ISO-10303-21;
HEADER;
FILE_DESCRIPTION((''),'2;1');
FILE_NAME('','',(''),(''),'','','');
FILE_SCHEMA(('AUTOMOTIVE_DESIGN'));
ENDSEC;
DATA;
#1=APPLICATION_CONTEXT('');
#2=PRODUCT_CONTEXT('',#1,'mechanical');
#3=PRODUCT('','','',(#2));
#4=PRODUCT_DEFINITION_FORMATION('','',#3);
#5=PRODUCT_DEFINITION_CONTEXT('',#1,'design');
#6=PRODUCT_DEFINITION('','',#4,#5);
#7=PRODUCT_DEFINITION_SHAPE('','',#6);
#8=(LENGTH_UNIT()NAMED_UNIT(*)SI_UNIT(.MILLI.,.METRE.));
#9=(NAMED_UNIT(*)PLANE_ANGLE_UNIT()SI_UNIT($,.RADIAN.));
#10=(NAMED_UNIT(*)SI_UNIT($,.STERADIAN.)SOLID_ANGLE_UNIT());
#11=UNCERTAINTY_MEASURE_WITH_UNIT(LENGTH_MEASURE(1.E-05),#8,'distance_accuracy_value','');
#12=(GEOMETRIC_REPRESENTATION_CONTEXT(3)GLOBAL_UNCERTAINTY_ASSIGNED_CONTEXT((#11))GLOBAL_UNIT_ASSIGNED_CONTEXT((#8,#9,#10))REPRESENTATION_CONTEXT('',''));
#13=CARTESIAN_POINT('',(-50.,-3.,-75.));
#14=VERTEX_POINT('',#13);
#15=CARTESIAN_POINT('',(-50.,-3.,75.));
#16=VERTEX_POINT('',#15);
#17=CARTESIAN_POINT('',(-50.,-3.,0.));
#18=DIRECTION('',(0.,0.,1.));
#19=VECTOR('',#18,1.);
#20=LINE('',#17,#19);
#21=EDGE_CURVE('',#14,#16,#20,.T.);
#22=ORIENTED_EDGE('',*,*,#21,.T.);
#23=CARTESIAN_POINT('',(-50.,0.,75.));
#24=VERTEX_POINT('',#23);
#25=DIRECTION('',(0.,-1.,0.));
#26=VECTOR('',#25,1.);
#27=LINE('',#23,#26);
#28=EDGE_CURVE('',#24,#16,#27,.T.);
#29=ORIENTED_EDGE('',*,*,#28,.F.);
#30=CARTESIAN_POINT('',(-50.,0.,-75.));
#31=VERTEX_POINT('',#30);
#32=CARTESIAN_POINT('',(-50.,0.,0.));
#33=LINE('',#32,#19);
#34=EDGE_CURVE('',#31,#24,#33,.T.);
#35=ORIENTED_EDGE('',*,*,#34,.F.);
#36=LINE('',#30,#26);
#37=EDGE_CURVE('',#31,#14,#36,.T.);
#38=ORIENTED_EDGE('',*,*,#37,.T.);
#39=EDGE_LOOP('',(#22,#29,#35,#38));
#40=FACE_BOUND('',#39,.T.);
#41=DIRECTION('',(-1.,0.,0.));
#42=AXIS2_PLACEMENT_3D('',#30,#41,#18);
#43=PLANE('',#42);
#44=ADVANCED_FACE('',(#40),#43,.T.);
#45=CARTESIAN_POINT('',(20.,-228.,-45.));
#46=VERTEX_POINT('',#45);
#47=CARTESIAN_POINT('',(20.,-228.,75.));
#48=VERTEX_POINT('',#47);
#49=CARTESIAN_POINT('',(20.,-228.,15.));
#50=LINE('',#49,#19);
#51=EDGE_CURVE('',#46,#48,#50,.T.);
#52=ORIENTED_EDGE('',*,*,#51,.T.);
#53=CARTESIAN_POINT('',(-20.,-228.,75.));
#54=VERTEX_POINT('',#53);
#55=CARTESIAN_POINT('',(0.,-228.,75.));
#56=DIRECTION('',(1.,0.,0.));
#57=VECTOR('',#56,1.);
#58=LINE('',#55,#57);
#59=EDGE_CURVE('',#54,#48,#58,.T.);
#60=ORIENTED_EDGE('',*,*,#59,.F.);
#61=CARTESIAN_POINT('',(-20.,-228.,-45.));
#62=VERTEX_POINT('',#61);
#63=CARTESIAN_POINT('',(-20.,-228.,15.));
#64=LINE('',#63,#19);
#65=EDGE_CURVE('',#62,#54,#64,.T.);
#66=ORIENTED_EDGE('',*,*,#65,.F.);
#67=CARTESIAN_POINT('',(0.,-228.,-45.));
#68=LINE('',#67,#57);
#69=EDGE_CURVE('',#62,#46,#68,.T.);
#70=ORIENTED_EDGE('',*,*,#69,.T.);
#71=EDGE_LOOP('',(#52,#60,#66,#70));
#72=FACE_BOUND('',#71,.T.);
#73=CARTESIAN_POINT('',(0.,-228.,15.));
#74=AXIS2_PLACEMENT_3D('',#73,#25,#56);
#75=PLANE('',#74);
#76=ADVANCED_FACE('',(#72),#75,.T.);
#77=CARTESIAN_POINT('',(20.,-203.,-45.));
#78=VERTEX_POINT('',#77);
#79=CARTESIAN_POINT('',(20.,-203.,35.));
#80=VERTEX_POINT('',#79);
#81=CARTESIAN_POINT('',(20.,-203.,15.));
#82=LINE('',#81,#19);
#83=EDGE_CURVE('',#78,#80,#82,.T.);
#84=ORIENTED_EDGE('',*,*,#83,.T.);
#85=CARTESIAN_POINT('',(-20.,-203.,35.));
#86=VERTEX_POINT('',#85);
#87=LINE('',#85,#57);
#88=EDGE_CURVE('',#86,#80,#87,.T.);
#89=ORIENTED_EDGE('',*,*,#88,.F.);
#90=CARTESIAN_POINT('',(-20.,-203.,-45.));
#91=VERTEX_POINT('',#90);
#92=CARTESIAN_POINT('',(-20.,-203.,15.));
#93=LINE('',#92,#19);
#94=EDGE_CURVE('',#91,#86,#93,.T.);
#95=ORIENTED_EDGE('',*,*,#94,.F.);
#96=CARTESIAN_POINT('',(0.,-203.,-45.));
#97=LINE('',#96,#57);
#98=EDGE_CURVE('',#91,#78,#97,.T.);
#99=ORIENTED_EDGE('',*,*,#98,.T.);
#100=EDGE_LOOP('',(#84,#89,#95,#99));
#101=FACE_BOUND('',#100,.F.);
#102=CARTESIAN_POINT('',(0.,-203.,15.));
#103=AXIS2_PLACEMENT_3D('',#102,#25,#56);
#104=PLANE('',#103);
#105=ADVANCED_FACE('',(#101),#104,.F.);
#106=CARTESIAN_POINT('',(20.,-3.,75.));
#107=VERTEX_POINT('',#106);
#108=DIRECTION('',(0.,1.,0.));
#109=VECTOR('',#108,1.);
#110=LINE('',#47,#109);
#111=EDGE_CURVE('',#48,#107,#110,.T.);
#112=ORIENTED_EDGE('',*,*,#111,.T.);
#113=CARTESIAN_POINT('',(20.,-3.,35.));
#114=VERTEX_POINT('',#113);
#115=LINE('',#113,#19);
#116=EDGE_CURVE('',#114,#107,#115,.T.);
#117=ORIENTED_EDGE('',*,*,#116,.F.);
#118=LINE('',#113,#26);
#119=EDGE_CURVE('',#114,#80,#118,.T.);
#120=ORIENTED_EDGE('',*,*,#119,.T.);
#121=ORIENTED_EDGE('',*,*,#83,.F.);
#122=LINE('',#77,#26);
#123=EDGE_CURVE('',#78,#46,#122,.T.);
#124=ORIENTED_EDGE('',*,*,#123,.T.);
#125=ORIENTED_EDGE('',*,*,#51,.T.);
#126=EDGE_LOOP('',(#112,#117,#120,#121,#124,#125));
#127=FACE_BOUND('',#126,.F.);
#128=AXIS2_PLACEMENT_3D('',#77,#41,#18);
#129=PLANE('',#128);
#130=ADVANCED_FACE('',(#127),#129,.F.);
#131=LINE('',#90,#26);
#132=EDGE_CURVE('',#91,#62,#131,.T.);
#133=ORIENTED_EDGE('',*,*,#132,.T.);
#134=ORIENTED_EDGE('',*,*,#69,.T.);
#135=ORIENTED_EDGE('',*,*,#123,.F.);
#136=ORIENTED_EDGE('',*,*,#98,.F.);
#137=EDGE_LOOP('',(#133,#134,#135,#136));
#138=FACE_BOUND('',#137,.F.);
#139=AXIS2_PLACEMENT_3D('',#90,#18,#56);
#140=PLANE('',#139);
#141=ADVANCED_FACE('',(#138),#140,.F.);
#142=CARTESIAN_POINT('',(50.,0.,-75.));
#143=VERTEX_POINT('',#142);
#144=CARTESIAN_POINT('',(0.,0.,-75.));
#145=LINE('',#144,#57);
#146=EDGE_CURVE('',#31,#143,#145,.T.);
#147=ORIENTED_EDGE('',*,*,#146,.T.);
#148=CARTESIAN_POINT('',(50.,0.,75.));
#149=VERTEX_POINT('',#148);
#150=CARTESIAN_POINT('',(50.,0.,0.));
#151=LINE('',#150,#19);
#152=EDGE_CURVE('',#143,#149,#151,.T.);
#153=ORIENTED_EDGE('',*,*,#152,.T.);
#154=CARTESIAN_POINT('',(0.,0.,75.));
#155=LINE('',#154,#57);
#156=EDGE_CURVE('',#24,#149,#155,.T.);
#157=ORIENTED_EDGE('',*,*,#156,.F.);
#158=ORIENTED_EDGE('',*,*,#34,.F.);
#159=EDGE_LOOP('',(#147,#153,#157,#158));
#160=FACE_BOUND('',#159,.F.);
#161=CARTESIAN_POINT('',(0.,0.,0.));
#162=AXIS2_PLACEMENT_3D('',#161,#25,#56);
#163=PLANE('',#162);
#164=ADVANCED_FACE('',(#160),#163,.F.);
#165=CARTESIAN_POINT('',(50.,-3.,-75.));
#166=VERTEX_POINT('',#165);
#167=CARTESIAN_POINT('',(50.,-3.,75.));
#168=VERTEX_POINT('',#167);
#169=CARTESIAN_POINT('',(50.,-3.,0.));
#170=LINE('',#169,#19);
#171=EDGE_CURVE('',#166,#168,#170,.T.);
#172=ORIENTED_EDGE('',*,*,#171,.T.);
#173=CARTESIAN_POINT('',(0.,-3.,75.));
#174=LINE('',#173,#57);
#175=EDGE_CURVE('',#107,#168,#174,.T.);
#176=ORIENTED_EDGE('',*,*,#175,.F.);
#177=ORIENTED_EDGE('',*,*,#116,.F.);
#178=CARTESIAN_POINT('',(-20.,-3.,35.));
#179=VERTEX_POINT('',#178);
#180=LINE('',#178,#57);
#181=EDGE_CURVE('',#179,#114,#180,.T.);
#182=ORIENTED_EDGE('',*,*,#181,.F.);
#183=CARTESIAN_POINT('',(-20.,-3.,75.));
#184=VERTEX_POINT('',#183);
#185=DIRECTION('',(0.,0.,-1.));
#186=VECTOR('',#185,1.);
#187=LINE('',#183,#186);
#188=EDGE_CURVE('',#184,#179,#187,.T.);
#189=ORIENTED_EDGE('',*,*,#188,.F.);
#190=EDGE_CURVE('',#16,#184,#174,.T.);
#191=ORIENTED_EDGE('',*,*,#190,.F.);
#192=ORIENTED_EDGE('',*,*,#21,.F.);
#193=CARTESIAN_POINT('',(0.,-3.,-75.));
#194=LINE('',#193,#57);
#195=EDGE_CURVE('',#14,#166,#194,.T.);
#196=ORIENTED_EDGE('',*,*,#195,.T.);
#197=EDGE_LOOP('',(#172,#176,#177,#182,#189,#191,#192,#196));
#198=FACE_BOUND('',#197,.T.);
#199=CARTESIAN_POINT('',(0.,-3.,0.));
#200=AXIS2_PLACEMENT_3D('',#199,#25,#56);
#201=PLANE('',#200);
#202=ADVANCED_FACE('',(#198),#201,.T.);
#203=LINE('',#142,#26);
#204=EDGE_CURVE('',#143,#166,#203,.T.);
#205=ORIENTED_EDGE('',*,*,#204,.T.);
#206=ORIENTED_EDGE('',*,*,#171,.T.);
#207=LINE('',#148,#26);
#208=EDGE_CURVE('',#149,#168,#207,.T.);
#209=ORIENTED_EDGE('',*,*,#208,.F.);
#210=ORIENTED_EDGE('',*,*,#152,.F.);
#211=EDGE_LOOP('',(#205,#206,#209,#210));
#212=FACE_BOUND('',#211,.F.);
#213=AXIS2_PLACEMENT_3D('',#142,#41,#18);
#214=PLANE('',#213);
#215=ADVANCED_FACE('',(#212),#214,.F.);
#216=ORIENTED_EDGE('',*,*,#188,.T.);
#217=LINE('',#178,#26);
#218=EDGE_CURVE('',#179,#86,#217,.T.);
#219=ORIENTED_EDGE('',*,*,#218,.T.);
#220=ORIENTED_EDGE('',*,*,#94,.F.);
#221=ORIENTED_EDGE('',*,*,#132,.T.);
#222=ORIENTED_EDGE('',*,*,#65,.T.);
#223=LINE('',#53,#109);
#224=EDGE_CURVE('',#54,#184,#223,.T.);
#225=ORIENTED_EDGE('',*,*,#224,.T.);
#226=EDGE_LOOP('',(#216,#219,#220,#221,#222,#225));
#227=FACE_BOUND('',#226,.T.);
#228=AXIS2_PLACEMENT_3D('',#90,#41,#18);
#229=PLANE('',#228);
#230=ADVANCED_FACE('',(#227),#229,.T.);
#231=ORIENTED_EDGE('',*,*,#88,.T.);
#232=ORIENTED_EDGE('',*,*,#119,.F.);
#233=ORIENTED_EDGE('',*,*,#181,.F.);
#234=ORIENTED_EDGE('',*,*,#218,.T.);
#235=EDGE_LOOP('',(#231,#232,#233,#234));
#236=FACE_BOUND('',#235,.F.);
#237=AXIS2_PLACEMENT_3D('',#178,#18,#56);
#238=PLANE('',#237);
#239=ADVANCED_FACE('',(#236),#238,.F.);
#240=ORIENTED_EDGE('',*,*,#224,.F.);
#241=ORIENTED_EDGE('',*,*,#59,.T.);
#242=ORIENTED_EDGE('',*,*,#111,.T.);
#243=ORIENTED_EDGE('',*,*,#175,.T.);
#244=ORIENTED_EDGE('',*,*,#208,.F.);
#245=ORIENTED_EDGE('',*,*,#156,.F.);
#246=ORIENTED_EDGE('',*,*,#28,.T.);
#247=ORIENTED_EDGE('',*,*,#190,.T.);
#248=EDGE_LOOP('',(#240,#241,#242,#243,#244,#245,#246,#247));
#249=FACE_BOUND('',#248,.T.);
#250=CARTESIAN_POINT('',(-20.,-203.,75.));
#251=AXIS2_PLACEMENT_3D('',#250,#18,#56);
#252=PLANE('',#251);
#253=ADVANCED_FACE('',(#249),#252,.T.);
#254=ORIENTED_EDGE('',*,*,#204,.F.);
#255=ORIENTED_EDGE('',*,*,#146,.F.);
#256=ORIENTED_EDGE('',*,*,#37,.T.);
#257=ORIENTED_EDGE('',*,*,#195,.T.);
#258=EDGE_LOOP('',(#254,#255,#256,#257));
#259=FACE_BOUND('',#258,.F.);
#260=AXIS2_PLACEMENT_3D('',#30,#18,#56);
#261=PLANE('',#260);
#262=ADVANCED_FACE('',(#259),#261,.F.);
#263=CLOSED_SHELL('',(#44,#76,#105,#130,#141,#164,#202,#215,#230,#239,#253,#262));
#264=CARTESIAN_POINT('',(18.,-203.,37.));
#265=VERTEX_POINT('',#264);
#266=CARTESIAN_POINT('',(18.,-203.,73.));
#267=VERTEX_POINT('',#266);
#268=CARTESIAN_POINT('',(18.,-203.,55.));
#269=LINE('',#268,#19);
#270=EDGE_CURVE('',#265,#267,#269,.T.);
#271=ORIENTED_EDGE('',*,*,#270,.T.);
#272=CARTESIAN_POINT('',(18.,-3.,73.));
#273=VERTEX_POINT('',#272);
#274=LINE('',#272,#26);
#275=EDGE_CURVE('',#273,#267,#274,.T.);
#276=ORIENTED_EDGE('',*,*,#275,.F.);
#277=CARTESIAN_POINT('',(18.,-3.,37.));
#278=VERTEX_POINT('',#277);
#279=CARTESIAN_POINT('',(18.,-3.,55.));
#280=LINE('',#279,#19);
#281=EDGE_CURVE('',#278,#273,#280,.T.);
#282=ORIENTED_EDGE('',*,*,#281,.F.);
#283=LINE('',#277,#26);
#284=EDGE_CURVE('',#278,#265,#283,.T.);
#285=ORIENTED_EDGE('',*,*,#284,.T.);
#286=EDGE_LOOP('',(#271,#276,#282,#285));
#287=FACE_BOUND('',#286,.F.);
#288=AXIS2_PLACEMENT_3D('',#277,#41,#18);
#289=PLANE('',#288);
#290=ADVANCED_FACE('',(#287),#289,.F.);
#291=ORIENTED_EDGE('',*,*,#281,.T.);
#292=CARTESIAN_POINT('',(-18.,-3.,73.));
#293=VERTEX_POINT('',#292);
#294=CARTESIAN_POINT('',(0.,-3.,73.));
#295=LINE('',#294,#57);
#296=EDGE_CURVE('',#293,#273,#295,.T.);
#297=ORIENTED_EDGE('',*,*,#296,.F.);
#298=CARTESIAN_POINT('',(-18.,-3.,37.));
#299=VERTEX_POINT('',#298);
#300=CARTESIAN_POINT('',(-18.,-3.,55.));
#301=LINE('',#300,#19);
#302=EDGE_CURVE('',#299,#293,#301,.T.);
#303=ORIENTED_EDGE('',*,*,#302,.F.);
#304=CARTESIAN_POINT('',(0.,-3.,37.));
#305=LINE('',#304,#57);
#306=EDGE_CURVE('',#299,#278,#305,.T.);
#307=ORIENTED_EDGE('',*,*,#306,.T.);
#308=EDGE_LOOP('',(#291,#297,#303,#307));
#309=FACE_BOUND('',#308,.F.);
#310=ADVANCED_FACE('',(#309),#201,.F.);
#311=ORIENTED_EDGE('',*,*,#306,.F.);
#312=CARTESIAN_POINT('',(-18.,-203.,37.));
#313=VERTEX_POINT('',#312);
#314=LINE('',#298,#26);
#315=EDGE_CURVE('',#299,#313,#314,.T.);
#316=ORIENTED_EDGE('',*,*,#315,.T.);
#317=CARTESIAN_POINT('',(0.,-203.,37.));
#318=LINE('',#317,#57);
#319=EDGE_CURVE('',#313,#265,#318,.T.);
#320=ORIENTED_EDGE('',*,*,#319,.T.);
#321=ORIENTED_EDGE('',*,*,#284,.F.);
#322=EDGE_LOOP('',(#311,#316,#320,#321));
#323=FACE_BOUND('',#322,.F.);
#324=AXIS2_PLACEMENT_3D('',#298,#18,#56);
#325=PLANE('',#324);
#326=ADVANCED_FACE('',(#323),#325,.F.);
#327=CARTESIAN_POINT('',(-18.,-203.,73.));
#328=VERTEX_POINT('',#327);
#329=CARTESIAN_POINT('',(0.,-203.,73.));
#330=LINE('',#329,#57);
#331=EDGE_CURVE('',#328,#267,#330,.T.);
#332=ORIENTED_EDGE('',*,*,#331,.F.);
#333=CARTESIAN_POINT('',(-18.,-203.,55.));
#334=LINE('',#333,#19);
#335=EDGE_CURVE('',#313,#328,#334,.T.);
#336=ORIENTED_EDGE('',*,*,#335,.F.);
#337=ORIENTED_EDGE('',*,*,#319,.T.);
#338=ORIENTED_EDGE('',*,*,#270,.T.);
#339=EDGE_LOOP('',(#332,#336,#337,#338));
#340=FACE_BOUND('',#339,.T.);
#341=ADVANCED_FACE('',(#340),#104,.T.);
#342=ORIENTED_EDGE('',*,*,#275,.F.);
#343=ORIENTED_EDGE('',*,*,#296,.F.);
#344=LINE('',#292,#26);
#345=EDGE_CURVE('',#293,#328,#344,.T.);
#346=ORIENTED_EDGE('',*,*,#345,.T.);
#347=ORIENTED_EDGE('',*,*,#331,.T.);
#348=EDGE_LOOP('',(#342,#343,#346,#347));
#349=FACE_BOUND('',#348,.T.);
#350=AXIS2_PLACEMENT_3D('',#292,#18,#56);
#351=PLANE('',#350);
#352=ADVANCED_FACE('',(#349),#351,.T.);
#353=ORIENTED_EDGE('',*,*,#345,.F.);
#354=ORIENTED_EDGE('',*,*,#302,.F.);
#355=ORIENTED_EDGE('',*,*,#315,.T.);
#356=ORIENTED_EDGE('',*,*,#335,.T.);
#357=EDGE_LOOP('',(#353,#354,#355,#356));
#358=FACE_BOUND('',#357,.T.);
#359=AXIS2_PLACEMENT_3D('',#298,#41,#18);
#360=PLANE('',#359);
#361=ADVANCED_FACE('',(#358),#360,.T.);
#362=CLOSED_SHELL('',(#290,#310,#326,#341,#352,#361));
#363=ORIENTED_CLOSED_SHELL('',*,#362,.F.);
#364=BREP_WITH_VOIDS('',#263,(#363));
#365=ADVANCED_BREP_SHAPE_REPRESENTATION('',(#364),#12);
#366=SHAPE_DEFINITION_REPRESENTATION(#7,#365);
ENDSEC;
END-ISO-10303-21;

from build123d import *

# Parameters (mm, degrees)
F0_W     = 100
F0_H     = 150
F1_DEPTH = 3
F2_W     = 36
F2_H     = 36
F3_DEPTH = 200
F4_W     = 40
F4_H     = 120
F5_DEPTH = 25


with BuildPart() as f1:
    # F0 (on Front) → F1 (new body)
    with BuildSketch(Plane.XZ):
        Rectangle(F0_W, F0_H)
    extrude(amount=F1_DEPTH)

    # F2 (on face) → F3 (join)
    with BuildSketch(Plane.XZ.offset(3)):
        Polygon((20, 75), (0, 75), (-20, 75), (-20, 35), (20, 35), align=None)
        with Locations((0, 55)):
            Rectangle(F2_W, F2_H, mode=Mode.SUBTRACT)
    extrude(amount=F3_DEPTH)

    # F4 (on face) → F5 (join)
    with BuildSketch(Plane.XZ.offset(203)):
        with Locations((0, 15)):
            Rectangle(F4_W, F4_H)
    extrude(amount=F5_DEPTH)


solid = f1.part
